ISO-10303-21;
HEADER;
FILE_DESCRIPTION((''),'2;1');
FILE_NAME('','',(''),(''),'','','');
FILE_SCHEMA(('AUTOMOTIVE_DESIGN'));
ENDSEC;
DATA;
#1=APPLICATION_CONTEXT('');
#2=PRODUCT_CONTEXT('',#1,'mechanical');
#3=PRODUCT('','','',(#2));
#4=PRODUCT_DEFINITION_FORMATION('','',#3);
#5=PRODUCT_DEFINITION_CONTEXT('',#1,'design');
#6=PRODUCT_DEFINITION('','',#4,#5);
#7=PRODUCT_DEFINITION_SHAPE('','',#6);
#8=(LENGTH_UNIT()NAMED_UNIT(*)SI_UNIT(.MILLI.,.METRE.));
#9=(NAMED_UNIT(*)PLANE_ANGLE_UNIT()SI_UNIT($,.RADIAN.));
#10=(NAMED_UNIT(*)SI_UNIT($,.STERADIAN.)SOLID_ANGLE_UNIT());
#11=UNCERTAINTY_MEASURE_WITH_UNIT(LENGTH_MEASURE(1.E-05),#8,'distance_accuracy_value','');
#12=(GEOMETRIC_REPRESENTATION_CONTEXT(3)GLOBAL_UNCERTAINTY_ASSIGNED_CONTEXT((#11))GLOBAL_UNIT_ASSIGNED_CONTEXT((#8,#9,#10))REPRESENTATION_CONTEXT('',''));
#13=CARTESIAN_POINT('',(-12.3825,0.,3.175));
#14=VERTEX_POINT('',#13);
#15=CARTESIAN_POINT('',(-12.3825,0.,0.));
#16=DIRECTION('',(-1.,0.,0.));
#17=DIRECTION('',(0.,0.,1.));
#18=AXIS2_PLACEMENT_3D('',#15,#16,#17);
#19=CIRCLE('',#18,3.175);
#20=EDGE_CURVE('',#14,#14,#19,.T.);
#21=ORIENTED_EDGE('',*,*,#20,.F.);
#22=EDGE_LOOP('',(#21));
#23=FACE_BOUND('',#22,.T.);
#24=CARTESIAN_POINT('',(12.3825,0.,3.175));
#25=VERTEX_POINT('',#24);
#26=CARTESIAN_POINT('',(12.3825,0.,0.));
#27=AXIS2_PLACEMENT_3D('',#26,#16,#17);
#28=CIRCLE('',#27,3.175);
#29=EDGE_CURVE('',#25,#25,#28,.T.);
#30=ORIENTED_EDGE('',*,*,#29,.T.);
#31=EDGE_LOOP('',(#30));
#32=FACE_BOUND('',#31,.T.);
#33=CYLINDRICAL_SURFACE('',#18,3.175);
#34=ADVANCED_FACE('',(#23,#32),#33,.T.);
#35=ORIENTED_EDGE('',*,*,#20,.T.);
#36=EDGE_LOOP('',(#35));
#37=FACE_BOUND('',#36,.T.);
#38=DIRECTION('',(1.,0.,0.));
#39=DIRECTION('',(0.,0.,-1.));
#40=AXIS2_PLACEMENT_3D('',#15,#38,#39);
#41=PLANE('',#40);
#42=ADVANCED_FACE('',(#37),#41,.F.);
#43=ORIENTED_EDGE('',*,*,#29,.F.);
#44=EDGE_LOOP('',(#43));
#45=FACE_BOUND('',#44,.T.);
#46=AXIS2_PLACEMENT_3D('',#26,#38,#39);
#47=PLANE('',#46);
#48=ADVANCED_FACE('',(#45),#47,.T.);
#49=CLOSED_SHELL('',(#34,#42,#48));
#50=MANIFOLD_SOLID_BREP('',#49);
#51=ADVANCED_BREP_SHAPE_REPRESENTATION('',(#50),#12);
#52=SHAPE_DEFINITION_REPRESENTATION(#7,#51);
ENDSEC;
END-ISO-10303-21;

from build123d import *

# Parameters (mm, degrees)
SKETCH1_W = 24.765
SKETCH1_H = 3.175


with BuildPart() as part:
    # Sketch1 → Revolve1 (revolve)
    with BuildSketch(Plane(origin=(0, 0, 0), x_dir=(1, 0, 0), z_dir=(0, 1, 0))):
        with Locations((0, -1.5875)):
            Rectangle(SKETCH1_W, SKETCH1_H)
    revolve(axis=Axis((-12.3825, 0, 0), (1, 0, 0)))


solid = part.part
